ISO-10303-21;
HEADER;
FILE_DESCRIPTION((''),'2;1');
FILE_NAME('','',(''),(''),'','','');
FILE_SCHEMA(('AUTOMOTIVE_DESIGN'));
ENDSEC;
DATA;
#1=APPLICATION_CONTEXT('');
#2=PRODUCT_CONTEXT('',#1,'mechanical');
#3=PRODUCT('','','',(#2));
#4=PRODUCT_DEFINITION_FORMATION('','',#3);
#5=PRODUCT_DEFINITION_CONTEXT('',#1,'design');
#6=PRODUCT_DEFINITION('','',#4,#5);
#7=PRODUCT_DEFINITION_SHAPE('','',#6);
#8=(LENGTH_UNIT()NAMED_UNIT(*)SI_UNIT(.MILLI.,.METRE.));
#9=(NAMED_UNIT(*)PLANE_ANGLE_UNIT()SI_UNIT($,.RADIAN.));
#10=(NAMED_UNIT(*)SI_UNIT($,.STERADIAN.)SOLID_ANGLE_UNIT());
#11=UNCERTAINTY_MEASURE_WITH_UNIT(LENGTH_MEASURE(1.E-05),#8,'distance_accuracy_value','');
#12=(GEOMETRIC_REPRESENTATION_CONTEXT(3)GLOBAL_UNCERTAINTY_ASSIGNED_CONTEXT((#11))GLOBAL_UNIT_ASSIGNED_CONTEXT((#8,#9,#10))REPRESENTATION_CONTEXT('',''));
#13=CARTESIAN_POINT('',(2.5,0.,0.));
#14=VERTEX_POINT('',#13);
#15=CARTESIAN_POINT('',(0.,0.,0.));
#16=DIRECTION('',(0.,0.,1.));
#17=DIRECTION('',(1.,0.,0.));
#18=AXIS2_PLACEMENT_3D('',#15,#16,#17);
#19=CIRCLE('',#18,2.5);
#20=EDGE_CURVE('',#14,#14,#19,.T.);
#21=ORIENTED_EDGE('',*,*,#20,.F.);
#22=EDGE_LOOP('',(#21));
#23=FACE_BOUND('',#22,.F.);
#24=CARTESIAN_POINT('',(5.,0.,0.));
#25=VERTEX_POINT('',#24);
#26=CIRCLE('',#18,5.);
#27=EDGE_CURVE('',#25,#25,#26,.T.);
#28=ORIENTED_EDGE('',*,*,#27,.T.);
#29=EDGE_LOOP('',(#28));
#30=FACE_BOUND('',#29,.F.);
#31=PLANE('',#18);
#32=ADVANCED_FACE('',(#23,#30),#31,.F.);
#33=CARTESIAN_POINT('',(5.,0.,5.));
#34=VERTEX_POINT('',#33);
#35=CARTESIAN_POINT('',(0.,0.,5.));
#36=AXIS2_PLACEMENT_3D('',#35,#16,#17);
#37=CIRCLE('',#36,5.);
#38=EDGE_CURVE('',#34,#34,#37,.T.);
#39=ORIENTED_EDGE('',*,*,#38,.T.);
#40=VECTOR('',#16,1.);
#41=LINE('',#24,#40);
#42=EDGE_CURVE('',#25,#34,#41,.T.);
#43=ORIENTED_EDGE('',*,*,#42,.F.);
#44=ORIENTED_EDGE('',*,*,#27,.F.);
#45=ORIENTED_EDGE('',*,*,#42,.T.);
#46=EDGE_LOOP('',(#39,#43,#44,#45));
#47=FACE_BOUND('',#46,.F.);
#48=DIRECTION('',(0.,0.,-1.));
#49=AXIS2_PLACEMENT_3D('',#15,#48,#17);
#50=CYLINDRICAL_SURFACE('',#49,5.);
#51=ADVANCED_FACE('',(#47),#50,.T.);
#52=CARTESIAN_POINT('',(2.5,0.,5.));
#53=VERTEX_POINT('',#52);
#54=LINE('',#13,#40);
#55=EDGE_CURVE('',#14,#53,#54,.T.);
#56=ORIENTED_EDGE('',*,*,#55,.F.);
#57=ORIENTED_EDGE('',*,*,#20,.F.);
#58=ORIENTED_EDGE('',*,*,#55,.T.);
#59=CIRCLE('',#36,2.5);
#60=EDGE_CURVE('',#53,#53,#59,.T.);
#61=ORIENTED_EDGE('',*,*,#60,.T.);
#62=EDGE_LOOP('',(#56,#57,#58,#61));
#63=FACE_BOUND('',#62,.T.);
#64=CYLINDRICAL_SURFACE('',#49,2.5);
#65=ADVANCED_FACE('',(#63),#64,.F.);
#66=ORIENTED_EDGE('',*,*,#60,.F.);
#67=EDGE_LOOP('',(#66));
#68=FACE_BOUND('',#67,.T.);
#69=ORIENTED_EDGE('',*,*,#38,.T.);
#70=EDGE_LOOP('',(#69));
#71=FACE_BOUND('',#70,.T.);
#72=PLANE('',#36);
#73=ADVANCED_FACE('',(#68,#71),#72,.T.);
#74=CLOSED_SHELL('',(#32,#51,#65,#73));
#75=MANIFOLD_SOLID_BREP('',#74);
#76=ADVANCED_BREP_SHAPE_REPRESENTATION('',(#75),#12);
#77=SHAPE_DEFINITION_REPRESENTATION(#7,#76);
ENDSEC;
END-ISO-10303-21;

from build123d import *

# Parameters (mm, degrees)
SKETCH_R   = 5
SKETCH_R_2 = 2.5
PAD_DEPTH  = 5


with BuildPart() as part:
    # Sketch → Pad (new body)
    with BuildSketch(Plane.XY):
        Circle(SKETCH_R)
        Circle(SKETCH_R_2, mode=Mode.SUBTRACT)
    extrude(amount=PAD_DEPTH)


solid = part.part
